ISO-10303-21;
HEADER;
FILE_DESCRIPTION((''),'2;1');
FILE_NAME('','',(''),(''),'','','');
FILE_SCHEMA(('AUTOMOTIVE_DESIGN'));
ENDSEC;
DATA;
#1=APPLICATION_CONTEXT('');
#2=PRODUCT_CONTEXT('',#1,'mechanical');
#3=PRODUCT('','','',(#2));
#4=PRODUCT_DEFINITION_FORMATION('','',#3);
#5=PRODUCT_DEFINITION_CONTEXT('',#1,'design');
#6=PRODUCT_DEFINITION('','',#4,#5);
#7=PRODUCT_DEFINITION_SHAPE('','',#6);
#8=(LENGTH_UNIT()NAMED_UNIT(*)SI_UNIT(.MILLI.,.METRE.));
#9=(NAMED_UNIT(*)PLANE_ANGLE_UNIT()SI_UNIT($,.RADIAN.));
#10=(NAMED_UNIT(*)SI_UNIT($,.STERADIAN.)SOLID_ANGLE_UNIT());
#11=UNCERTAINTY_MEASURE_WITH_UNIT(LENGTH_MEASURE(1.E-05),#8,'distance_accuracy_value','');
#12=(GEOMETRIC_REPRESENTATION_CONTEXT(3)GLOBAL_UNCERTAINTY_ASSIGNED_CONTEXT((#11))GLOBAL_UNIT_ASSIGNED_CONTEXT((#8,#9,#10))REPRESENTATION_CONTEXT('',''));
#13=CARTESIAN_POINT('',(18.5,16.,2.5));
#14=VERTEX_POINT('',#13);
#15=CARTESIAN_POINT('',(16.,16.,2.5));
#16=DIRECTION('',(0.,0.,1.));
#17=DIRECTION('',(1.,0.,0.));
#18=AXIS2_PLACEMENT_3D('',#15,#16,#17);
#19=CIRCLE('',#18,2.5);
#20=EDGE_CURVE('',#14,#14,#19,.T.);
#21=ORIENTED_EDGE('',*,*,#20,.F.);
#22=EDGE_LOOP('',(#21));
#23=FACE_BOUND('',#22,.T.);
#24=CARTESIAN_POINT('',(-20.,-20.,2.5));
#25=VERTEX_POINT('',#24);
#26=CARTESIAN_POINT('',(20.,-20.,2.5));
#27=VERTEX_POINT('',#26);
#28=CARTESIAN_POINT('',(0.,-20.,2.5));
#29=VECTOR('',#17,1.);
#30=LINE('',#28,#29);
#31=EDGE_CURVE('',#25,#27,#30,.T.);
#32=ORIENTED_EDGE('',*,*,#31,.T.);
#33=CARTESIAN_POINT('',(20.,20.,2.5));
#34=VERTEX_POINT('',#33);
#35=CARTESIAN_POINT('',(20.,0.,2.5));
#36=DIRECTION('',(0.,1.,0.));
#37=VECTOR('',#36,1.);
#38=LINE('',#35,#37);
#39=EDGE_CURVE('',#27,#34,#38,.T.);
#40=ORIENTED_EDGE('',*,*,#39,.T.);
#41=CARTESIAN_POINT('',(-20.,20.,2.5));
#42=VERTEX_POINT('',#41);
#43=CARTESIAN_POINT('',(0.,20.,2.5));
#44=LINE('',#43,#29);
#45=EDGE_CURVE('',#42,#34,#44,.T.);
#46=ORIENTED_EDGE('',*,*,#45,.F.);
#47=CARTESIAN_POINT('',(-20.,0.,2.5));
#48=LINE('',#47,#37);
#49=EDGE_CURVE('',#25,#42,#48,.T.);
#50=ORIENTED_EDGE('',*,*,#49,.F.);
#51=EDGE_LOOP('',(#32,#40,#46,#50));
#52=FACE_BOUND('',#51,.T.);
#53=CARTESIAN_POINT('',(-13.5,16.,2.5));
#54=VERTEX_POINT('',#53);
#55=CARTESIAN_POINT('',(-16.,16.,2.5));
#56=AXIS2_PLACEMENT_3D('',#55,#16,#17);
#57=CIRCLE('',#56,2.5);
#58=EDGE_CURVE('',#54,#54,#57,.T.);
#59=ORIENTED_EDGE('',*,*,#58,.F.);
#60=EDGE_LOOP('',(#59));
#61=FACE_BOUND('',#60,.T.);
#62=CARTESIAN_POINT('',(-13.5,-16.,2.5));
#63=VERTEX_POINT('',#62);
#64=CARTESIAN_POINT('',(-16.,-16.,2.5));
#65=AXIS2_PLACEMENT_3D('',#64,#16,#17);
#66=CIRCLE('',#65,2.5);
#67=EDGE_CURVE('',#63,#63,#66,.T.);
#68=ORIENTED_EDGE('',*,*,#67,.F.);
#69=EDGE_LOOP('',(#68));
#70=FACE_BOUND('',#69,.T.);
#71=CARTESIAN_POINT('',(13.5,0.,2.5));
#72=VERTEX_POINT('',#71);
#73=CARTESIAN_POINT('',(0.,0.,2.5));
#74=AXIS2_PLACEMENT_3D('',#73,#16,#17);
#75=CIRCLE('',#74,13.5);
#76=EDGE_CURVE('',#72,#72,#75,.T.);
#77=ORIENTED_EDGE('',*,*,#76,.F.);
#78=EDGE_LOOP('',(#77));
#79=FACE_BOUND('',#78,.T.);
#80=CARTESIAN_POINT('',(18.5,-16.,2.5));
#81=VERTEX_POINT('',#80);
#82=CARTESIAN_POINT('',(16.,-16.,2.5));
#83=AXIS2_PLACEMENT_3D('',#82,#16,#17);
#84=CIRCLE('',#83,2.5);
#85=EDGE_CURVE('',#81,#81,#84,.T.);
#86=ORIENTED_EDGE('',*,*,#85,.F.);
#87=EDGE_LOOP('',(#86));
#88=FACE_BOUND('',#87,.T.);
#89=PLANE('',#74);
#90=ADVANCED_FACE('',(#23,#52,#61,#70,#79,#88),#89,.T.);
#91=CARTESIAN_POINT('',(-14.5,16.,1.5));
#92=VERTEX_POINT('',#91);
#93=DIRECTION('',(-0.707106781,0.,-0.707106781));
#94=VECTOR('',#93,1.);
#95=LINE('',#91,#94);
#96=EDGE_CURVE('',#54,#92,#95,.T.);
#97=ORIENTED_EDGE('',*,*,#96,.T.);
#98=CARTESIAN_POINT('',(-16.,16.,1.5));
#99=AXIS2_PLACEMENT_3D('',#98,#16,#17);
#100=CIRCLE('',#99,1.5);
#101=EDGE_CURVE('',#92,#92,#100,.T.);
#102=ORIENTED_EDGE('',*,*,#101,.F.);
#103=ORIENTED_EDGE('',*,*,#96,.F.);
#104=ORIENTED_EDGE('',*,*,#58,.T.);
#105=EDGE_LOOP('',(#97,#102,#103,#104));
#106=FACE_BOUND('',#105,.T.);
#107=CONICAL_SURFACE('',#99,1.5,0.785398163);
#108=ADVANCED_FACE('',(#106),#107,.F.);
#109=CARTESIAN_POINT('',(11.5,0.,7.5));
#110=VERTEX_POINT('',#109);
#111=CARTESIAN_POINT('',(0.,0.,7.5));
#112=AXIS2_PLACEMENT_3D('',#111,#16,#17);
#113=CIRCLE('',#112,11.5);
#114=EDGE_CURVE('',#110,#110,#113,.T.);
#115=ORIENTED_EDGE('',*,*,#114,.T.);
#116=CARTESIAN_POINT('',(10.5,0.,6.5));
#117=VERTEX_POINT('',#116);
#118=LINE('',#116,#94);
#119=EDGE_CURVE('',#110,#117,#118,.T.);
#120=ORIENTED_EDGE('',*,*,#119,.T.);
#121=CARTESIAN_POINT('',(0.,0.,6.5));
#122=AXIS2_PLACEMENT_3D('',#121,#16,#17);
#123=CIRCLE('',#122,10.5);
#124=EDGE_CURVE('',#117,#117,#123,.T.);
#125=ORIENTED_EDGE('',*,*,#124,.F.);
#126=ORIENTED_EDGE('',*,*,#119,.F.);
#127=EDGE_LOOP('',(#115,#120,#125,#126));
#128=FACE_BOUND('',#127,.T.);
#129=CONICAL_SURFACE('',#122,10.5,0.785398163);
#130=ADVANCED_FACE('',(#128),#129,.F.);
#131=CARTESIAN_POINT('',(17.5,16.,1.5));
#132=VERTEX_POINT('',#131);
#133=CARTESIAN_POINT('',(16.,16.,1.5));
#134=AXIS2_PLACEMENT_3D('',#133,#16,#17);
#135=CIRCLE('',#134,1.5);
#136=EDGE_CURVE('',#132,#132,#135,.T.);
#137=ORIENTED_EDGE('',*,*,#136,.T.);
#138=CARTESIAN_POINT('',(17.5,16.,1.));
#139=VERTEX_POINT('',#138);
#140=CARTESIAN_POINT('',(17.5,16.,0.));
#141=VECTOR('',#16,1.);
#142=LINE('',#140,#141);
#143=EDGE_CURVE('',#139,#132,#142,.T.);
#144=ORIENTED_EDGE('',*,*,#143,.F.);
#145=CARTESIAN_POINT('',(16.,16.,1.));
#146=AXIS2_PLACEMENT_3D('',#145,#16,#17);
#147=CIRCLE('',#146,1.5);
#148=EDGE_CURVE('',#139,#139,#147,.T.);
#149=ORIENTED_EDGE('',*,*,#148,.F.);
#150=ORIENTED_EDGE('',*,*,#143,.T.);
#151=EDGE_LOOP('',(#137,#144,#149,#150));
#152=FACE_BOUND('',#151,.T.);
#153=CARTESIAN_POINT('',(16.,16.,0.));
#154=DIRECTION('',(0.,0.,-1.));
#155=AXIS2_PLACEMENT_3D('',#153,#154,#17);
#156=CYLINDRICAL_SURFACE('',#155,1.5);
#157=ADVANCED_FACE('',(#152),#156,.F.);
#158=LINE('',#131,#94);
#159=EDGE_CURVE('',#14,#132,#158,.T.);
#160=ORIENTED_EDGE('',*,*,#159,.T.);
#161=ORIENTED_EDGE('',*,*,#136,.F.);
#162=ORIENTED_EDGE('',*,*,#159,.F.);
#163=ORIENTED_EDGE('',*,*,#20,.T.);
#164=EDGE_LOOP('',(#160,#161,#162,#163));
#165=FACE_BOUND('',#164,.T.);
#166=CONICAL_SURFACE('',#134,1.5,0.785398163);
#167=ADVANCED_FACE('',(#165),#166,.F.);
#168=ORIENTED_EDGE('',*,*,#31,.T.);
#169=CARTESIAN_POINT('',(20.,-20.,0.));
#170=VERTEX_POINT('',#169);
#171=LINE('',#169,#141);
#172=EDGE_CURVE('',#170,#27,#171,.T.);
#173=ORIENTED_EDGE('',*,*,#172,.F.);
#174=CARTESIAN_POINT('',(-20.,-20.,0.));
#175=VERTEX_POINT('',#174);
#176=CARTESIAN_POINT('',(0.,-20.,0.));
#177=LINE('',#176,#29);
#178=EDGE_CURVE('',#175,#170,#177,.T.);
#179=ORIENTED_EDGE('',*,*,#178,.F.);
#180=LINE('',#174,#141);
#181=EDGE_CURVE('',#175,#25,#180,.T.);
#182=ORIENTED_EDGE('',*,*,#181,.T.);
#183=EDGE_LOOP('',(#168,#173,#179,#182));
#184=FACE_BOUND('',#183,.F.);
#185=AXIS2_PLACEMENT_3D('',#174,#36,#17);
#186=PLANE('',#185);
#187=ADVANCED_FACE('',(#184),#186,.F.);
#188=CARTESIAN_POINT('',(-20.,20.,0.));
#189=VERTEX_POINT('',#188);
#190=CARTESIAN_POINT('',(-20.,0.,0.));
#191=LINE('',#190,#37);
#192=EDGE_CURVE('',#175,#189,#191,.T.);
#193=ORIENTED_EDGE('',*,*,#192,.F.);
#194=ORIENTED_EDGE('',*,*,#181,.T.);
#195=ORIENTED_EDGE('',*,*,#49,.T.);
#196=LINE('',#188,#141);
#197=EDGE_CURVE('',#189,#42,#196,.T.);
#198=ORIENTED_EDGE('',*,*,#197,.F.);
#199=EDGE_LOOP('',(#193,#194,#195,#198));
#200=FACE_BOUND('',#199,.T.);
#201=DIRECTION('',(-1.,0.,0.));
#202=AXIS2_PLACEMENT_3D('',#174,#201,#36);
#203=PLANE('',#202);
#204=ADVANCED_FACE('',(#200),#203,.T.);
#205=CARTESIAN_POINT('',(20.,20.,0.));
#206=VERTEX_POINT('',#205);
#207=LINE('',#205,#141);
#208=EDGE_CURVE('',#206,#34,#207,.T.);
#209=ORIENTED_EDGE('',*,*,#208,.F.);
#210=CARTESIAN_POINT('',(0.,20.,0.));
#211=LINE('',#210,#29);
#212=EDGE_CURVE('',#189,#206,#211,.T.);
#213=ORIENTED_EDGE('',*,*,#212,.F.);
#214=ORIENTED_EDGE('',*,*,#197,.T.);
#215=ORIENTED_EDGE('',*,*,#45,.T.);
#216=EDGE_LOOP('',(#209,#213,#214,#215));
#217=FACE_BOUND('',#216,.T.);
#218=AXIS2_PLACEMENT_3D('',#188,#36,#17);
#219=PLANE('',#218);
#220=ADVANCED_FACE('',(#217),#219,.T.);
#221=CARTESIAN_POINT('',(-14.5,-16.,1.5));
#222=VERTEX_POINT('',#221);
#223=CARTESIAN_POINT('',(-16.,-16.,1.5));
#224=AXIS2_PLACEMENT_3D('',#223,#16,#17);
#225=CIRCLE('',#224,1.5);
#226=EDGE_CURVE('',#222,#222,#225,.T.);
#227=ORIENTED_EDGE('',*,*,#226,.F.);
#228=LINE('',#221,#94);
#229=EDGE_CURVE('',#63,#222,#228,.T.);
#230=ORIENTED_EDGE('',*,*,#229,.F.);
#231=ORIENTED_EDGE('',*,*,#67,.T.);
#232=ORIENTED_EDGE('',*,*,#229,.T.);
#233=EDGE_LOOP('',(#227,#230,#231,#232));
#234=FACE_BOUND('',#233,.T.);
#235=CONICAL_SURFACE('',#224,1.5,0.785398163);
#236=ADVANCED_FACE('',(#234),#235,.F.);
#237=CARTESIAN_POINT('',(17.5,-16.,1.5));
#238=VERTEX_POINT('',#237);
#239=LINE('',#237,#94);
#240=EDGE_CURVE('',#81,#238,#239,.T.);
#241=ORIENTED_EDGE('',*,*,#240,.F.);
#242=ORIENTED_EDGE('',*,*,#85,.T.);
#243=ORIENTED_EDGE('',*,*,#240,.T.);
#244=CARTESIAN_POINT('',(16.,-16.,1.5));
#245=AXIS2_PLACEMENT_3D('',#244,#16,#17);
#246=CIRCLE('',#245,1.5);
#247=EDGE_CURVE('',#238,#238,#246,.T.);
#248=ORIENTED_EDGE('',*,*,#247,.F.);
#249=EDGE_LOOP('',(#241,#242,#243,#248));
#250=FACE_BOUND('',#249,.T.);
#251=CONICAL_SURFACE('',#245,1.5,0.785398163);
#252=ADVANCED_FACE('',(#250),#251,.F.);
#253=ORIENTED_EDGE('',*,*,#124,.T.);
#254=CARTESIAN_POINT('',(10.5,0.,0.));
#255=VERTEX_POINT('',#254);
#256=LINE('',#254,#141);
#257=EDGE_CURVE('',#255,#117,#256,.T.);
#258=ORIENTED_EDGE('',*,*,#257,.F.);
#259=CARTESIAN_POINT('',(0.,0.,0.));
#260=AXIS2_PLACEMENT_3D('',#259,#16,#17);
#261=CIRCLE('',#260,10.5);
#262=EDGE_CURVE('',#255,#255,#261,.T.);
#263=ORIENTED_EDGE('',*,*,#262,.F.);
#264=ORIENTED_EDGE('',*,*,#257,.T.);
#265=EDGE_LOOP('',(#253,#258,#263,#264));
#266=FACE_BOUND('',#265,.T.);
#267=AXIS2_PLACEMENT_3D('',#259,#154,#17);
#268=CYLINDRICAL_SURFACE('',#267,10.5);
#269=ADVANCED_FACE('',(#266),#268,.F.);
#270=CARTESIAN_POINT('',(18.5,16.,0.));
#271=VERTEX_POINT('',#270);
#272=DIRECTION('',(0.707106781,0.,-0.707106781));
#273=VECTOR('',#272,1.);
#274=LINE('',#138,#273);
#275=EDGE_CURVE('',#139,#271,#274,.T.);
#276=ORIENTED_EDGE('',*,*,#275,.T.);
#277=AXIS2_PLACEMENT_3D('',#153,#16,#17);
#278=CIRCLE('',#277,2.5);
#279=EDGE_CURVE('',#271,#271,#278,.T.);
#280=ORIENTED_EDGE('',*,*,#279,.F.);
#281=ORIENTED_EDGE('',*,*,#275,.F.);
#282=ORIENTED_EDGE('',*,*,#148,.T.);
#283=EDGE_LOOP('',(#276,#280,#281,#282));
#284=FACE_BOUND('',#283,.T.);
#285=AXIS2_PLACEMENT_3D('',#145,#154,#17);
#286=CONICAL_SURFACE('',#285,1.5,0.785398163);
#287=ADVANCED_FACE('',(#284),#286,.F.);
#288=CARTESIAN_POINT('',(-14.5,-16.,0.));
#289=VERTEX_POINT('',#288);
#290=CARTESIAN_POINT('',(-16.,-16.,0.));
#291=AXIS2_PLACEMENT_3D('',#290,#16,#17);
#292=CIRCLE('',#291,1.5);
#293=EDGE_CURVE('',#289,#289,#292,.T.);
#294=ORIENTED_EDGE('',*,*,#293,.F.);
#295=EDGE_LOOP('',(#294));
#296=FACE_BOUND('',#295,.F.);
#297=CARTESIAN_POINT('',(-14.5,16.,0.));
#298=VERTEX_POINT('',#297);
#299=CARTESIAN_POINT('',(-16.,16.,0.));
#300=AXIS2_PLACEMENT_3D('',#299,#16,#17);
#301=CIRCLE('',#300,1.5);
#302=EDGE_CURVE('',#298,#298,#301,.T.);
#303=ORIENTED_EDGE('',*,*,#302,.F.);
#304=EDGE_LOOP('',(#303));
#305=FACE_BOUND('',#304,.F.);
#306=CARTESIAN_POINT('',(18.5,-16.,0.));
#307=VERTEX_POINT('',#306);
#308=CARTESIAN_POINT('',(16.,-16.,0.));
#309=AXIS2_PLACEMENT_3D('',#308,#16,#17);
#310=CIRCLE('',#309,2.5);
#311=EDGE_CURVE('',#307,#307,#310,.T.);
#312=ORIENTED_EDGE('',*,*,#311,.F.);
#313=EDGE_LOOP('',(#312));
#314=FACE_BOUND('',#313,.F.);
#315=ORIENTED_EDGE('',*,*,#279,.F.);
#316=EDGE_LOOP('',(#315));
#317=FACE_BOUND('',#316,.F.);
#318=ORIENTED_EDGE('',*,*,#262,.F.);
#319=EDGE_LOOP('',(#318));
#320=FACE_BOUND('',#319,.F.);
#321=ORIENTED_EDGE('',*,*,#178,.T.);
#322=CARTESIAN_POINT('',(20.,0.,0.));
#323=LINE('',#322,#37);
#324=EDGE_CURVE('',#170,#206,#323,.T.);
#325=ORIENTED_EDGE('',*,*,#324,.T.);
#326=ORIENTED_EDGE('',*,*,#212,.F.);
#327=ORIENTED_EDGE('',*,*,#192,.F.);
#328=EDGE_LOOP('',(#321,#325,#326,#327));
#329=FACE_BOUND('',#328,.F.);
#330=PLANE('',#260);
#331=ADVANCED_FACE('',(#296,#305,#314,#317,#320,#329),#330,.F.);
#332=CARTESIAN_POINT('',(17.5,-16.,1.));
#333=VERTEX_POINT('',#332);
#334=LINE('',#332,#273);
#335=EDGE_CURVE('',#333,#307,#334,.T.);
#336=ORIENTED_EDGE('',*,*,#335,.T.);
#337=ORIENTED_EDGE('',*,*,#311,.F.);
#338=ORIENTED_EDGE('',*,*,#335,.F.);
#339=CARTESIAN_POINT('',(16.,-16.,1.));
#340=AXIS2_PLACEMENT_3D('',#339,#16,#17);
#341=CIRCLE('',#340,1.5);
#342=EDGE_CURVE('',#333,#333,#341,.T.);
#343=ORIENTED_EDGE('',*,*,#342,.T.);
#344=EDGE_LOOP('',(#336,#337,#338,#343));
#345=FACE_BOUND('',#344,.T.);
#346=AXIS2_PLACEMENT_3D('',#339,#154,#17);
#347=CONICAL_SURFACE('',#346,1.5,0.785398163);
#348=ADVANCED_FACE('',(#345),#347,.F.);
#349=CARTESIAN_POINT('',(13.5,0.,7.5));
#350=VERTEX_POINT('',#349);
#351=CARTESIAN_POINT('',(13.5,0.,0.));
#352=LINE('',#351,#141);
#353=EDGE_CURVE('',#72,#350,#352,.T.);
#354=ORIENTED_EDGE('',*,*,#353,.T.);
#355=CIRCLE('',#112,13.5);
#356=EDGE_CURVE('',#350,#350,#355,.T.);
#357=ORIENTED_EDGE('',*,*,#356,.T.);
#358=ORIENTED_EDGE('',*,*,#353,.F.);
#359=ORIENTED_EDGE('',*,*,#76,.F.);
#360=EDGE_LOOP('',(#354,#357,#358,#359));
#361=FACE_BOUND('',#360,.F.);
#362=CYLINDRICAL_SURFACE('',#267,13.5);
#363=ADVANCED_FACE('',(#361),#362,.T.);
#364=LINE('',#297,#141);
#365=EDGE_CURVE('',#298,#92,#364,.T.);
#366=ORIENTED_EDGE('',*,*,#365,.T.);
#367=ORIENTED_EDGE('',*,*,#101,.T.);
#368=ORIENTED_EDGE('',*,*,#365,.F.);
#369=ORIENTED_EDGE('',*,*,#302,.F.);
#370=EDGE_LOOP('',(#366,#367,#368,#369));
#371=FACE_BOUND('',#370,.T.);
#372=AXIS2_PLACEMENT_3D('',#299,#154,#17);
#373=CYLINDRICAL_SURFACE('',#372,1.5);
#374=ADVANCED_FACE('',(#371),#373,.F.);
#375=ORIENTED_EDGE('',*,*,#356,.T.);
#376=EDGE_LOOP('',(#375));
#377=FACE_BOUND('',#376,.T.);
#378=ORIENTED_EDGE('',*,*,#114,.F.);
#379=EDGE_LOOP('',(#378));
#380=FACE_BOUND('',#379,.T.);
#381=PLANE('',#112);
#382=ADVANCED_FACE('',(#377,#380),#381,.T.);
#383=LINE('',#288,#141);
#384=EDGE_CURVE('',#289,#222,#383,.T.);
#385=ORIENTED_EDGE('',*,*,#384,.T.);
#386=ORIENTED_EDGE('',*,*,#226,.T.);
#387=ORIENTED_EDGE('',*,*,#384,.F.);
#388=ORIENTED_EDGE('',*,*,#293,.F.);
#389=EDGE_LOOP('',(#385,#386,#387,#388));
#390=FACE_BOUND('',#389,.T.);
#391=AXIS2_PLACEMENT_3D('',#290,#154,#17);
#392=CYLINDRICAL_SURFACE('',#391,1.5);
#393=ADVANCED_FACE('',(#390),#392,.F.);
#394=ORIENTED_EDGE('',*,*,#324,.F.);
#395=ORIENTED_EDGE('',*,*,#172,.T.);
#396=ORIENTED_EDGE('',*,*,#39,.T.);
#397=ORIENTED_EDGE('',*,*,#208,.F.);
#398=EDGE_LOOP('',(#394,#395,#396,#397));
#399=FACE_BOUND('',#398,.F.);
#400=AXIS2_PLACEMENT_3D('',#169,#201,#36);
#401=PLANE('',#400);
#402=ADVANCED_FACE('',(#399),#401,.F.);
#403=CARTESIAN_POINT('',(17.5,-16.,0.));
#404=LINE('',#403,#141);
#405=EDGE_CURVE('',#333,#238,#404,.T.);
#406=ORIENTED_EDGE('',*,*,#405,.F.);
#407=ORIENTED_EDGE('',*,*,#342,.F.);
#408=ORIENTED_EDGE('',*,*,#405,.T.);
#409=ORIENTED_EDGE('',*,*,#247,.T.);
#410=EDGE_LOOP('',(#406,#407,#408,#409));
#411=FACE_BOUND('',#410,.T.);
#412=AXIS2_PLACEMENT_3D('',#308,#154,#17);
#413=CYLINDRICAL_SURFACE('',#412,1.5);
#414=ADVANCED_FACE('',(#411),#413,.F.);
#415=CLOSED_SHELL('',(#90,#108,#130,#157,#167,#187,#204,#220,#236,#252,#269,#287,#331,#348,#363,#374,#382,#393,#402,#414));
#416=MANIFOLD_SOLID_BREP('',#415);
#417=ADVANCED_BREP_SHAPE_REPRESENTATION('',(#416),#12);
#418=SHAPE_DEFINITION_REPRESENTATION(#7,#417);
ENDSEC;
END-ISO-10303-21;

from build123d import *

# Parameters (mm, degrees)
F0_W     = 40
F0_H     = 40
F0_R     = 1.5
F0_R_2   = 13.5
F1_DEPTH = 2.5
F0_R_3   = 10.5
F2_DEPTH = 7.5
F3_SIZE  = 1
F4_SIZE  = 1
F5_SIZE  = 1


with BuildPart() as f1:
    # F0 (on Top) → F1 (new body)
    with BuildSketch(Plane.XY):
        Rectangle(F0_W, F0_H)
        with Locations((-16, -16)):
            Circle(F0_R, mode=Mode.SUBTRACT)
        with Locations((16, -16)):
            Circle(F0_R, mode=Mode.SUBTRACT)
        with Locations((-16, 16)):
            Circle(F0_R, mode=Mode.SUBTRACT)
        Circle(F0_R_2, mode=Mode.SUBTRACT)
        with Locations((16, 16)):
            Circle(F0_R, mode=Mode.SUBTRACT)
    extrude(amount=F1_DEPTH)

    # F0 (on Top) → F2 (join)
    with BuildSketch(Plane.XY):
        Circle(F0_R_2)
        Circle(F0_R_3, mode=Mode.SUBTRACT)
    extrude(amount=F2_DEPTH)

    # F3
    f3_edges = [f1.edges().sort_by_distance(p)[0] for p in [
        (-10.5, 0, 7.5),
    ]]
    chamfer(f3_edges, length=F3_SIZE)

    # F4
    f4_edges = [f1.edges().sort_by_distance(p)[0] for p in [
        (-17.5, -16, 2.5),
    ]]
    chamfer(f4_edges, length=F4_SIZE)

    # F5
    f5_edges = [f1.edges().sort_by_distance(p)[0] for p in [
        (17.5, -16, 1.25),
        (14.5, -16, 0),
        (14.5, -16, 2.5),
        (17.5, 16, 1.25),
        (14.5, 16, 0),
        (14.5, 16, 2.5),
        (-17.5, 16, 2.5),
    ]]
    chamfer(f5_edges, length=F5_SIZE)


solid = f1.part
